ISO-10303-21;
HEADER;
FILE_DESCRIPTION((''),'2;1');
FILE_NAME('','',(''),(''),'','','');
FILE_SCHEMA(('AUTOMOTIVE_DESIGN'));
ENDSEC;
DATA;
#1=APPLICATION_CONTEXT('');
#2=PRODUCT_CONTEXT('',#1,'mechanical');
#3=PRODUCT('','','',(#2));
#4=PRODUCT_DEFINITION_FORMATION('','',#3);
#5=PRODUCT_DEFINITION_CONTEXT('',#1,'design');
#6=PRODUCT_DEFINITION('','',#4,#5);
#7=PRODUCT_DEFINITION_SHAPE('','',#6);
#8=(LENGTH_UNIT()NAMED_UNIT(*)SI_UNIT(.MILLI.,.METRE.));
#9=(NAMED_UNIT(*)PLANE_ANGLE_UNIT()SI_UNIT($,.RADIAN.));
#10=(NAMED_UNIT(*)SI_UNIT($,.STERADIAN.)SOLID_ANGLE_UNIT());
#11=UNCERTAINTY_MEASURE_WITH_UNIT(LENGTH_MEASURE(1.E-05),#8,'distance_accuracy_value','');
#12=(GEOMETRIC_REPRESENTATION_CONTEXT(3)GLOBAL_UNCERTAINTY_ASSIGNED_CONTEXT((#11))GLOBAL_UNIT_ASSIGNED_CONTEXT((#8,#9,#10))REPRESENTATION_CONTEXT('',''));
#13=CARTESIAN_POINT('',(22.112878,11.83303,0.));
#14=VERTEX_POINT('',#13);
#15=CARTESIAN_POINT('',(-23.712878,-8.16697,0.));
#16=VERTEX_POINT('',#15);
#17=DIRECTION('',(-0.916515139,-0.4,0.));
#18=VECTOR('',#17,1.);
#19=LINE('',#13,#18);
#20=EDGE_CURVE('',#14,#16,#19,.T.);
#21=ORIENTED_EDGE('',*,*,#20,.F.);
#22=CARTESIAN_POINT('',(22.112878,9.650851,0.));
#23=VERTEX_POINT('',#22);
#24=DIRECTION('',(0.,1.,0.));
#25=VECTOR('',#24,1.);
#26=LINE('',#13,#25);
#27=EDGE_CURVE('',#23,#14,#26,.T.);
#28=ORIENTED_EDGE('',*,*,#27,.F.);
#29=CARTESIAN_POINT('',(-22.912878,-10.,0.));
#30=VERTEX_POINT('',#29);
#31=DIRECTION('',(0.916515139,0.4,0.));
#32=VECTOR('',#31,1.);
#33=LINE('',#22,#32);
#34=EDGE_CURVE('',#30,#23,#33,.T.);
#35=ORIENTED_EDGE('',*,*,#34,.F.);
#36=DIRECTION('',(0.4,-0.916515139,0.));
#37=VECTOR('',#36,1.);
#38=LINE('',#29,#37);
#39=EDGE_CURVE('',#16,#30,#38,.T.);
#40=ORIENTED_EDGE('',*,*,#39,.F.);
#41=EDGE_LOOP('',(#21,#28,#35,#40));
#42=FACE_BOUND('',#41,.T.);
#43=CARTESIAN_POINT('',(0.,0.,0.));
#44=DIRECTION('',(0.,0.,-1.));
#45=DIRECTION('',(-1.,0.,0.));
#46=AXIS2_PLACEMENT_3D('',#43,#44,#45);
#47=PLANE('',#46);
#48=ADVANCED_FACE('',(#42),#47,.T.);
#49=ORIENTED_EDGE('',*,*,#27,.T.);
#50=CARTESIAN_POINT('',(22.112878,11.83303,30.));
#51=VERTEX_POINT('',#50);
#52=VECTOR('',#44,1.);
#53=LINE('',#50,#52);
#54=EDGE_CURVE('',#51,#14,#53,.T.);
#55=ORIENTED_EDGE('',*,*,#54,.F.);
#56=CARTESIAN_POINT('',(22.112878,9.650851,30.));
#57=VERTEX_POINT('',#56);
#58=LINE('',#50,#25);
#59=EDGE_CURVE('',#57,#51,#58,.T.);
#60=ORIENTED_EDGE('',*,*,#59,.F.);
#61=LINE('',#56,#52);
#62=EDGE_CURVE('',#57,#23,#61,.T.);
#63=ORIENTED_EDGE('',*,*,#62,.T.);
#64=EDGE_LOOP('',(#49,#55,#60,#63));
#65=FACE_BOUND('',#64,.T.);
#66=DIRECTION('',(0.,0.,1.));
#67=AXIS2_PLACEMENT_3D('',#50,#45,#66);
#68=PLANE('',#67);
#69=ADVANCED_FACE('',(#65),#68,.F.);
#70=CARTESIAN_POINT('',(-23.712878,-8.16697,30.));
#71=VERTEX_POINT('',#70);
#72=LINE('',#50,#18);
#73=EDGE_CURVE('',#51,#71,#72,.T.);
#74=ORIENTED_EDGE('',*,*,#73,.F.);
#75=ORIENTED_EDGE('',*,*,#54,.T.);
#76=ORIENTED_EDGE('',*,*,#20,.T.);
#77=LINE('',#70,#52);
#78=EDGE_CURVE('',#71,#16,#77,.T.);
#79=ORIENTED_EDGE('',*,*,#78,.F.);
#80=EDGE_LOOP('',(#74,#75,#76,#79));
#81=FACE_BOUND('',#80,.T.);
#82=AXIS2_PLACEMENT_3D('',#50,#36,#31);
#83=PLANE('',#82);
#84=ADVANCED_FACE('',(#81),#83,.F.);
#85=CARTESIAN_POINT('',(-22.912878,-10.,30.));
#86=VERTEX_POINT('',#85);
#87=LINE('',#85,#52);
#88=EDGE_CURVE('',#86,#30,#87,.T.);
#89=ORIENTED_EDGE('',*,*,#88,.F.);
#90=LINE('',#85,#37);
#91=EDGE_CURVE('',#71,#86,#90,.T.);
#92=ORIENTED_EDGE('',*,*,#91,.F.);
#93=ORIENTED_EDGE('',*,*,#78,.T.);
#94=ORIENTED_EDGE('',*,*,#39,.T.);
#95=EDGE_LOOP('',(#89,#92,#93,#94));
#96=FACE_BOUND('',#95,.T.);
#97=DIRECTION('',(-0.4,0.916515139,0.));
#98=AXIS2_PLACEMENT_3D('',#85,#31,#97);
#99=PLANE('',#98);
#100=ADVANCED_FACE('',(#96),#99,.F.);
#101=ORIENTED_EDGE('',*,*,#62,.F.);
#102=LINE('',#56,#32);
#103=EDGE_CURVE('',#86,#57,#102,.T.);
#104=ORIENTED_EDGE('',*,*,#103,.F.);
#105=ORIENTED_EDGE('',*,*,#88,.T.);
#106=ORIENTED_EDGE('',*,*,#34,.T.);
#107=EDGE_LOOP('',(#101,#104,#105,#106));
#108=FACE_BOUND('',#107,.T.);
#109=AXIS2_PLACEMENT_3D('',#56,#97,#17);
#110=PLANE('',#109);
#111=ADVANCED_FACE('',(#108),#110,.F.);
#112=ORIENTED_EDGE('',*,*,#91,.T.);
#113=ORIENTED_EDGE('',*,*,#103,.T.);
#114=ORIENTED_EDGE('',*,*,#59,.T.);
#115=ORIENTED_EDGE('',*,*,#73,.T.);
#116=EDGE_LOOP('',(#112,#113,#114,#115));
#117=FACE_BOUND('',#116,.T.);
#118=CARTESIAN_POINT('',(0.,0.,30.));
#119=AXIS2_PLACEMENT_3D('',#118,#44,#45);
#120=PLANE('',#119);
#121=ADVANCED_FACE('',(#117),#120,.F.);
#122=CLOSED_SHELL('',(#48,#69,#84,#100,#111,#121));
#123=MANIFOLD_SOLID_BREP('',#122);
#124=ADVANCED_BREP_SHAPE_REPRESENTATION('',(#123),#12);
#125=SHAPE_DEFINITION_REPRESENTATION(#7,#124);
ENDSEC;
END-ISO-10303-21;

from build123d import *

# Parameters (mm, degrees)
RESSALTO_EXTRUS_O1_DEPTH = 30


with BuildPart() as part:
    # Esboço1 → Ressalto-extrusão1 (new body)
    with BuildSketch(Plane.XY):
        Polygon((22.112878475, 9.650851376), (-22.912878475, -10), (-23.712878475, -8.166969722), (22.112878475, 11.833030278), align=None)
    extrude(amount=RESSALTO_EXTRUS_O1_DEPTH)


solid = part.part
